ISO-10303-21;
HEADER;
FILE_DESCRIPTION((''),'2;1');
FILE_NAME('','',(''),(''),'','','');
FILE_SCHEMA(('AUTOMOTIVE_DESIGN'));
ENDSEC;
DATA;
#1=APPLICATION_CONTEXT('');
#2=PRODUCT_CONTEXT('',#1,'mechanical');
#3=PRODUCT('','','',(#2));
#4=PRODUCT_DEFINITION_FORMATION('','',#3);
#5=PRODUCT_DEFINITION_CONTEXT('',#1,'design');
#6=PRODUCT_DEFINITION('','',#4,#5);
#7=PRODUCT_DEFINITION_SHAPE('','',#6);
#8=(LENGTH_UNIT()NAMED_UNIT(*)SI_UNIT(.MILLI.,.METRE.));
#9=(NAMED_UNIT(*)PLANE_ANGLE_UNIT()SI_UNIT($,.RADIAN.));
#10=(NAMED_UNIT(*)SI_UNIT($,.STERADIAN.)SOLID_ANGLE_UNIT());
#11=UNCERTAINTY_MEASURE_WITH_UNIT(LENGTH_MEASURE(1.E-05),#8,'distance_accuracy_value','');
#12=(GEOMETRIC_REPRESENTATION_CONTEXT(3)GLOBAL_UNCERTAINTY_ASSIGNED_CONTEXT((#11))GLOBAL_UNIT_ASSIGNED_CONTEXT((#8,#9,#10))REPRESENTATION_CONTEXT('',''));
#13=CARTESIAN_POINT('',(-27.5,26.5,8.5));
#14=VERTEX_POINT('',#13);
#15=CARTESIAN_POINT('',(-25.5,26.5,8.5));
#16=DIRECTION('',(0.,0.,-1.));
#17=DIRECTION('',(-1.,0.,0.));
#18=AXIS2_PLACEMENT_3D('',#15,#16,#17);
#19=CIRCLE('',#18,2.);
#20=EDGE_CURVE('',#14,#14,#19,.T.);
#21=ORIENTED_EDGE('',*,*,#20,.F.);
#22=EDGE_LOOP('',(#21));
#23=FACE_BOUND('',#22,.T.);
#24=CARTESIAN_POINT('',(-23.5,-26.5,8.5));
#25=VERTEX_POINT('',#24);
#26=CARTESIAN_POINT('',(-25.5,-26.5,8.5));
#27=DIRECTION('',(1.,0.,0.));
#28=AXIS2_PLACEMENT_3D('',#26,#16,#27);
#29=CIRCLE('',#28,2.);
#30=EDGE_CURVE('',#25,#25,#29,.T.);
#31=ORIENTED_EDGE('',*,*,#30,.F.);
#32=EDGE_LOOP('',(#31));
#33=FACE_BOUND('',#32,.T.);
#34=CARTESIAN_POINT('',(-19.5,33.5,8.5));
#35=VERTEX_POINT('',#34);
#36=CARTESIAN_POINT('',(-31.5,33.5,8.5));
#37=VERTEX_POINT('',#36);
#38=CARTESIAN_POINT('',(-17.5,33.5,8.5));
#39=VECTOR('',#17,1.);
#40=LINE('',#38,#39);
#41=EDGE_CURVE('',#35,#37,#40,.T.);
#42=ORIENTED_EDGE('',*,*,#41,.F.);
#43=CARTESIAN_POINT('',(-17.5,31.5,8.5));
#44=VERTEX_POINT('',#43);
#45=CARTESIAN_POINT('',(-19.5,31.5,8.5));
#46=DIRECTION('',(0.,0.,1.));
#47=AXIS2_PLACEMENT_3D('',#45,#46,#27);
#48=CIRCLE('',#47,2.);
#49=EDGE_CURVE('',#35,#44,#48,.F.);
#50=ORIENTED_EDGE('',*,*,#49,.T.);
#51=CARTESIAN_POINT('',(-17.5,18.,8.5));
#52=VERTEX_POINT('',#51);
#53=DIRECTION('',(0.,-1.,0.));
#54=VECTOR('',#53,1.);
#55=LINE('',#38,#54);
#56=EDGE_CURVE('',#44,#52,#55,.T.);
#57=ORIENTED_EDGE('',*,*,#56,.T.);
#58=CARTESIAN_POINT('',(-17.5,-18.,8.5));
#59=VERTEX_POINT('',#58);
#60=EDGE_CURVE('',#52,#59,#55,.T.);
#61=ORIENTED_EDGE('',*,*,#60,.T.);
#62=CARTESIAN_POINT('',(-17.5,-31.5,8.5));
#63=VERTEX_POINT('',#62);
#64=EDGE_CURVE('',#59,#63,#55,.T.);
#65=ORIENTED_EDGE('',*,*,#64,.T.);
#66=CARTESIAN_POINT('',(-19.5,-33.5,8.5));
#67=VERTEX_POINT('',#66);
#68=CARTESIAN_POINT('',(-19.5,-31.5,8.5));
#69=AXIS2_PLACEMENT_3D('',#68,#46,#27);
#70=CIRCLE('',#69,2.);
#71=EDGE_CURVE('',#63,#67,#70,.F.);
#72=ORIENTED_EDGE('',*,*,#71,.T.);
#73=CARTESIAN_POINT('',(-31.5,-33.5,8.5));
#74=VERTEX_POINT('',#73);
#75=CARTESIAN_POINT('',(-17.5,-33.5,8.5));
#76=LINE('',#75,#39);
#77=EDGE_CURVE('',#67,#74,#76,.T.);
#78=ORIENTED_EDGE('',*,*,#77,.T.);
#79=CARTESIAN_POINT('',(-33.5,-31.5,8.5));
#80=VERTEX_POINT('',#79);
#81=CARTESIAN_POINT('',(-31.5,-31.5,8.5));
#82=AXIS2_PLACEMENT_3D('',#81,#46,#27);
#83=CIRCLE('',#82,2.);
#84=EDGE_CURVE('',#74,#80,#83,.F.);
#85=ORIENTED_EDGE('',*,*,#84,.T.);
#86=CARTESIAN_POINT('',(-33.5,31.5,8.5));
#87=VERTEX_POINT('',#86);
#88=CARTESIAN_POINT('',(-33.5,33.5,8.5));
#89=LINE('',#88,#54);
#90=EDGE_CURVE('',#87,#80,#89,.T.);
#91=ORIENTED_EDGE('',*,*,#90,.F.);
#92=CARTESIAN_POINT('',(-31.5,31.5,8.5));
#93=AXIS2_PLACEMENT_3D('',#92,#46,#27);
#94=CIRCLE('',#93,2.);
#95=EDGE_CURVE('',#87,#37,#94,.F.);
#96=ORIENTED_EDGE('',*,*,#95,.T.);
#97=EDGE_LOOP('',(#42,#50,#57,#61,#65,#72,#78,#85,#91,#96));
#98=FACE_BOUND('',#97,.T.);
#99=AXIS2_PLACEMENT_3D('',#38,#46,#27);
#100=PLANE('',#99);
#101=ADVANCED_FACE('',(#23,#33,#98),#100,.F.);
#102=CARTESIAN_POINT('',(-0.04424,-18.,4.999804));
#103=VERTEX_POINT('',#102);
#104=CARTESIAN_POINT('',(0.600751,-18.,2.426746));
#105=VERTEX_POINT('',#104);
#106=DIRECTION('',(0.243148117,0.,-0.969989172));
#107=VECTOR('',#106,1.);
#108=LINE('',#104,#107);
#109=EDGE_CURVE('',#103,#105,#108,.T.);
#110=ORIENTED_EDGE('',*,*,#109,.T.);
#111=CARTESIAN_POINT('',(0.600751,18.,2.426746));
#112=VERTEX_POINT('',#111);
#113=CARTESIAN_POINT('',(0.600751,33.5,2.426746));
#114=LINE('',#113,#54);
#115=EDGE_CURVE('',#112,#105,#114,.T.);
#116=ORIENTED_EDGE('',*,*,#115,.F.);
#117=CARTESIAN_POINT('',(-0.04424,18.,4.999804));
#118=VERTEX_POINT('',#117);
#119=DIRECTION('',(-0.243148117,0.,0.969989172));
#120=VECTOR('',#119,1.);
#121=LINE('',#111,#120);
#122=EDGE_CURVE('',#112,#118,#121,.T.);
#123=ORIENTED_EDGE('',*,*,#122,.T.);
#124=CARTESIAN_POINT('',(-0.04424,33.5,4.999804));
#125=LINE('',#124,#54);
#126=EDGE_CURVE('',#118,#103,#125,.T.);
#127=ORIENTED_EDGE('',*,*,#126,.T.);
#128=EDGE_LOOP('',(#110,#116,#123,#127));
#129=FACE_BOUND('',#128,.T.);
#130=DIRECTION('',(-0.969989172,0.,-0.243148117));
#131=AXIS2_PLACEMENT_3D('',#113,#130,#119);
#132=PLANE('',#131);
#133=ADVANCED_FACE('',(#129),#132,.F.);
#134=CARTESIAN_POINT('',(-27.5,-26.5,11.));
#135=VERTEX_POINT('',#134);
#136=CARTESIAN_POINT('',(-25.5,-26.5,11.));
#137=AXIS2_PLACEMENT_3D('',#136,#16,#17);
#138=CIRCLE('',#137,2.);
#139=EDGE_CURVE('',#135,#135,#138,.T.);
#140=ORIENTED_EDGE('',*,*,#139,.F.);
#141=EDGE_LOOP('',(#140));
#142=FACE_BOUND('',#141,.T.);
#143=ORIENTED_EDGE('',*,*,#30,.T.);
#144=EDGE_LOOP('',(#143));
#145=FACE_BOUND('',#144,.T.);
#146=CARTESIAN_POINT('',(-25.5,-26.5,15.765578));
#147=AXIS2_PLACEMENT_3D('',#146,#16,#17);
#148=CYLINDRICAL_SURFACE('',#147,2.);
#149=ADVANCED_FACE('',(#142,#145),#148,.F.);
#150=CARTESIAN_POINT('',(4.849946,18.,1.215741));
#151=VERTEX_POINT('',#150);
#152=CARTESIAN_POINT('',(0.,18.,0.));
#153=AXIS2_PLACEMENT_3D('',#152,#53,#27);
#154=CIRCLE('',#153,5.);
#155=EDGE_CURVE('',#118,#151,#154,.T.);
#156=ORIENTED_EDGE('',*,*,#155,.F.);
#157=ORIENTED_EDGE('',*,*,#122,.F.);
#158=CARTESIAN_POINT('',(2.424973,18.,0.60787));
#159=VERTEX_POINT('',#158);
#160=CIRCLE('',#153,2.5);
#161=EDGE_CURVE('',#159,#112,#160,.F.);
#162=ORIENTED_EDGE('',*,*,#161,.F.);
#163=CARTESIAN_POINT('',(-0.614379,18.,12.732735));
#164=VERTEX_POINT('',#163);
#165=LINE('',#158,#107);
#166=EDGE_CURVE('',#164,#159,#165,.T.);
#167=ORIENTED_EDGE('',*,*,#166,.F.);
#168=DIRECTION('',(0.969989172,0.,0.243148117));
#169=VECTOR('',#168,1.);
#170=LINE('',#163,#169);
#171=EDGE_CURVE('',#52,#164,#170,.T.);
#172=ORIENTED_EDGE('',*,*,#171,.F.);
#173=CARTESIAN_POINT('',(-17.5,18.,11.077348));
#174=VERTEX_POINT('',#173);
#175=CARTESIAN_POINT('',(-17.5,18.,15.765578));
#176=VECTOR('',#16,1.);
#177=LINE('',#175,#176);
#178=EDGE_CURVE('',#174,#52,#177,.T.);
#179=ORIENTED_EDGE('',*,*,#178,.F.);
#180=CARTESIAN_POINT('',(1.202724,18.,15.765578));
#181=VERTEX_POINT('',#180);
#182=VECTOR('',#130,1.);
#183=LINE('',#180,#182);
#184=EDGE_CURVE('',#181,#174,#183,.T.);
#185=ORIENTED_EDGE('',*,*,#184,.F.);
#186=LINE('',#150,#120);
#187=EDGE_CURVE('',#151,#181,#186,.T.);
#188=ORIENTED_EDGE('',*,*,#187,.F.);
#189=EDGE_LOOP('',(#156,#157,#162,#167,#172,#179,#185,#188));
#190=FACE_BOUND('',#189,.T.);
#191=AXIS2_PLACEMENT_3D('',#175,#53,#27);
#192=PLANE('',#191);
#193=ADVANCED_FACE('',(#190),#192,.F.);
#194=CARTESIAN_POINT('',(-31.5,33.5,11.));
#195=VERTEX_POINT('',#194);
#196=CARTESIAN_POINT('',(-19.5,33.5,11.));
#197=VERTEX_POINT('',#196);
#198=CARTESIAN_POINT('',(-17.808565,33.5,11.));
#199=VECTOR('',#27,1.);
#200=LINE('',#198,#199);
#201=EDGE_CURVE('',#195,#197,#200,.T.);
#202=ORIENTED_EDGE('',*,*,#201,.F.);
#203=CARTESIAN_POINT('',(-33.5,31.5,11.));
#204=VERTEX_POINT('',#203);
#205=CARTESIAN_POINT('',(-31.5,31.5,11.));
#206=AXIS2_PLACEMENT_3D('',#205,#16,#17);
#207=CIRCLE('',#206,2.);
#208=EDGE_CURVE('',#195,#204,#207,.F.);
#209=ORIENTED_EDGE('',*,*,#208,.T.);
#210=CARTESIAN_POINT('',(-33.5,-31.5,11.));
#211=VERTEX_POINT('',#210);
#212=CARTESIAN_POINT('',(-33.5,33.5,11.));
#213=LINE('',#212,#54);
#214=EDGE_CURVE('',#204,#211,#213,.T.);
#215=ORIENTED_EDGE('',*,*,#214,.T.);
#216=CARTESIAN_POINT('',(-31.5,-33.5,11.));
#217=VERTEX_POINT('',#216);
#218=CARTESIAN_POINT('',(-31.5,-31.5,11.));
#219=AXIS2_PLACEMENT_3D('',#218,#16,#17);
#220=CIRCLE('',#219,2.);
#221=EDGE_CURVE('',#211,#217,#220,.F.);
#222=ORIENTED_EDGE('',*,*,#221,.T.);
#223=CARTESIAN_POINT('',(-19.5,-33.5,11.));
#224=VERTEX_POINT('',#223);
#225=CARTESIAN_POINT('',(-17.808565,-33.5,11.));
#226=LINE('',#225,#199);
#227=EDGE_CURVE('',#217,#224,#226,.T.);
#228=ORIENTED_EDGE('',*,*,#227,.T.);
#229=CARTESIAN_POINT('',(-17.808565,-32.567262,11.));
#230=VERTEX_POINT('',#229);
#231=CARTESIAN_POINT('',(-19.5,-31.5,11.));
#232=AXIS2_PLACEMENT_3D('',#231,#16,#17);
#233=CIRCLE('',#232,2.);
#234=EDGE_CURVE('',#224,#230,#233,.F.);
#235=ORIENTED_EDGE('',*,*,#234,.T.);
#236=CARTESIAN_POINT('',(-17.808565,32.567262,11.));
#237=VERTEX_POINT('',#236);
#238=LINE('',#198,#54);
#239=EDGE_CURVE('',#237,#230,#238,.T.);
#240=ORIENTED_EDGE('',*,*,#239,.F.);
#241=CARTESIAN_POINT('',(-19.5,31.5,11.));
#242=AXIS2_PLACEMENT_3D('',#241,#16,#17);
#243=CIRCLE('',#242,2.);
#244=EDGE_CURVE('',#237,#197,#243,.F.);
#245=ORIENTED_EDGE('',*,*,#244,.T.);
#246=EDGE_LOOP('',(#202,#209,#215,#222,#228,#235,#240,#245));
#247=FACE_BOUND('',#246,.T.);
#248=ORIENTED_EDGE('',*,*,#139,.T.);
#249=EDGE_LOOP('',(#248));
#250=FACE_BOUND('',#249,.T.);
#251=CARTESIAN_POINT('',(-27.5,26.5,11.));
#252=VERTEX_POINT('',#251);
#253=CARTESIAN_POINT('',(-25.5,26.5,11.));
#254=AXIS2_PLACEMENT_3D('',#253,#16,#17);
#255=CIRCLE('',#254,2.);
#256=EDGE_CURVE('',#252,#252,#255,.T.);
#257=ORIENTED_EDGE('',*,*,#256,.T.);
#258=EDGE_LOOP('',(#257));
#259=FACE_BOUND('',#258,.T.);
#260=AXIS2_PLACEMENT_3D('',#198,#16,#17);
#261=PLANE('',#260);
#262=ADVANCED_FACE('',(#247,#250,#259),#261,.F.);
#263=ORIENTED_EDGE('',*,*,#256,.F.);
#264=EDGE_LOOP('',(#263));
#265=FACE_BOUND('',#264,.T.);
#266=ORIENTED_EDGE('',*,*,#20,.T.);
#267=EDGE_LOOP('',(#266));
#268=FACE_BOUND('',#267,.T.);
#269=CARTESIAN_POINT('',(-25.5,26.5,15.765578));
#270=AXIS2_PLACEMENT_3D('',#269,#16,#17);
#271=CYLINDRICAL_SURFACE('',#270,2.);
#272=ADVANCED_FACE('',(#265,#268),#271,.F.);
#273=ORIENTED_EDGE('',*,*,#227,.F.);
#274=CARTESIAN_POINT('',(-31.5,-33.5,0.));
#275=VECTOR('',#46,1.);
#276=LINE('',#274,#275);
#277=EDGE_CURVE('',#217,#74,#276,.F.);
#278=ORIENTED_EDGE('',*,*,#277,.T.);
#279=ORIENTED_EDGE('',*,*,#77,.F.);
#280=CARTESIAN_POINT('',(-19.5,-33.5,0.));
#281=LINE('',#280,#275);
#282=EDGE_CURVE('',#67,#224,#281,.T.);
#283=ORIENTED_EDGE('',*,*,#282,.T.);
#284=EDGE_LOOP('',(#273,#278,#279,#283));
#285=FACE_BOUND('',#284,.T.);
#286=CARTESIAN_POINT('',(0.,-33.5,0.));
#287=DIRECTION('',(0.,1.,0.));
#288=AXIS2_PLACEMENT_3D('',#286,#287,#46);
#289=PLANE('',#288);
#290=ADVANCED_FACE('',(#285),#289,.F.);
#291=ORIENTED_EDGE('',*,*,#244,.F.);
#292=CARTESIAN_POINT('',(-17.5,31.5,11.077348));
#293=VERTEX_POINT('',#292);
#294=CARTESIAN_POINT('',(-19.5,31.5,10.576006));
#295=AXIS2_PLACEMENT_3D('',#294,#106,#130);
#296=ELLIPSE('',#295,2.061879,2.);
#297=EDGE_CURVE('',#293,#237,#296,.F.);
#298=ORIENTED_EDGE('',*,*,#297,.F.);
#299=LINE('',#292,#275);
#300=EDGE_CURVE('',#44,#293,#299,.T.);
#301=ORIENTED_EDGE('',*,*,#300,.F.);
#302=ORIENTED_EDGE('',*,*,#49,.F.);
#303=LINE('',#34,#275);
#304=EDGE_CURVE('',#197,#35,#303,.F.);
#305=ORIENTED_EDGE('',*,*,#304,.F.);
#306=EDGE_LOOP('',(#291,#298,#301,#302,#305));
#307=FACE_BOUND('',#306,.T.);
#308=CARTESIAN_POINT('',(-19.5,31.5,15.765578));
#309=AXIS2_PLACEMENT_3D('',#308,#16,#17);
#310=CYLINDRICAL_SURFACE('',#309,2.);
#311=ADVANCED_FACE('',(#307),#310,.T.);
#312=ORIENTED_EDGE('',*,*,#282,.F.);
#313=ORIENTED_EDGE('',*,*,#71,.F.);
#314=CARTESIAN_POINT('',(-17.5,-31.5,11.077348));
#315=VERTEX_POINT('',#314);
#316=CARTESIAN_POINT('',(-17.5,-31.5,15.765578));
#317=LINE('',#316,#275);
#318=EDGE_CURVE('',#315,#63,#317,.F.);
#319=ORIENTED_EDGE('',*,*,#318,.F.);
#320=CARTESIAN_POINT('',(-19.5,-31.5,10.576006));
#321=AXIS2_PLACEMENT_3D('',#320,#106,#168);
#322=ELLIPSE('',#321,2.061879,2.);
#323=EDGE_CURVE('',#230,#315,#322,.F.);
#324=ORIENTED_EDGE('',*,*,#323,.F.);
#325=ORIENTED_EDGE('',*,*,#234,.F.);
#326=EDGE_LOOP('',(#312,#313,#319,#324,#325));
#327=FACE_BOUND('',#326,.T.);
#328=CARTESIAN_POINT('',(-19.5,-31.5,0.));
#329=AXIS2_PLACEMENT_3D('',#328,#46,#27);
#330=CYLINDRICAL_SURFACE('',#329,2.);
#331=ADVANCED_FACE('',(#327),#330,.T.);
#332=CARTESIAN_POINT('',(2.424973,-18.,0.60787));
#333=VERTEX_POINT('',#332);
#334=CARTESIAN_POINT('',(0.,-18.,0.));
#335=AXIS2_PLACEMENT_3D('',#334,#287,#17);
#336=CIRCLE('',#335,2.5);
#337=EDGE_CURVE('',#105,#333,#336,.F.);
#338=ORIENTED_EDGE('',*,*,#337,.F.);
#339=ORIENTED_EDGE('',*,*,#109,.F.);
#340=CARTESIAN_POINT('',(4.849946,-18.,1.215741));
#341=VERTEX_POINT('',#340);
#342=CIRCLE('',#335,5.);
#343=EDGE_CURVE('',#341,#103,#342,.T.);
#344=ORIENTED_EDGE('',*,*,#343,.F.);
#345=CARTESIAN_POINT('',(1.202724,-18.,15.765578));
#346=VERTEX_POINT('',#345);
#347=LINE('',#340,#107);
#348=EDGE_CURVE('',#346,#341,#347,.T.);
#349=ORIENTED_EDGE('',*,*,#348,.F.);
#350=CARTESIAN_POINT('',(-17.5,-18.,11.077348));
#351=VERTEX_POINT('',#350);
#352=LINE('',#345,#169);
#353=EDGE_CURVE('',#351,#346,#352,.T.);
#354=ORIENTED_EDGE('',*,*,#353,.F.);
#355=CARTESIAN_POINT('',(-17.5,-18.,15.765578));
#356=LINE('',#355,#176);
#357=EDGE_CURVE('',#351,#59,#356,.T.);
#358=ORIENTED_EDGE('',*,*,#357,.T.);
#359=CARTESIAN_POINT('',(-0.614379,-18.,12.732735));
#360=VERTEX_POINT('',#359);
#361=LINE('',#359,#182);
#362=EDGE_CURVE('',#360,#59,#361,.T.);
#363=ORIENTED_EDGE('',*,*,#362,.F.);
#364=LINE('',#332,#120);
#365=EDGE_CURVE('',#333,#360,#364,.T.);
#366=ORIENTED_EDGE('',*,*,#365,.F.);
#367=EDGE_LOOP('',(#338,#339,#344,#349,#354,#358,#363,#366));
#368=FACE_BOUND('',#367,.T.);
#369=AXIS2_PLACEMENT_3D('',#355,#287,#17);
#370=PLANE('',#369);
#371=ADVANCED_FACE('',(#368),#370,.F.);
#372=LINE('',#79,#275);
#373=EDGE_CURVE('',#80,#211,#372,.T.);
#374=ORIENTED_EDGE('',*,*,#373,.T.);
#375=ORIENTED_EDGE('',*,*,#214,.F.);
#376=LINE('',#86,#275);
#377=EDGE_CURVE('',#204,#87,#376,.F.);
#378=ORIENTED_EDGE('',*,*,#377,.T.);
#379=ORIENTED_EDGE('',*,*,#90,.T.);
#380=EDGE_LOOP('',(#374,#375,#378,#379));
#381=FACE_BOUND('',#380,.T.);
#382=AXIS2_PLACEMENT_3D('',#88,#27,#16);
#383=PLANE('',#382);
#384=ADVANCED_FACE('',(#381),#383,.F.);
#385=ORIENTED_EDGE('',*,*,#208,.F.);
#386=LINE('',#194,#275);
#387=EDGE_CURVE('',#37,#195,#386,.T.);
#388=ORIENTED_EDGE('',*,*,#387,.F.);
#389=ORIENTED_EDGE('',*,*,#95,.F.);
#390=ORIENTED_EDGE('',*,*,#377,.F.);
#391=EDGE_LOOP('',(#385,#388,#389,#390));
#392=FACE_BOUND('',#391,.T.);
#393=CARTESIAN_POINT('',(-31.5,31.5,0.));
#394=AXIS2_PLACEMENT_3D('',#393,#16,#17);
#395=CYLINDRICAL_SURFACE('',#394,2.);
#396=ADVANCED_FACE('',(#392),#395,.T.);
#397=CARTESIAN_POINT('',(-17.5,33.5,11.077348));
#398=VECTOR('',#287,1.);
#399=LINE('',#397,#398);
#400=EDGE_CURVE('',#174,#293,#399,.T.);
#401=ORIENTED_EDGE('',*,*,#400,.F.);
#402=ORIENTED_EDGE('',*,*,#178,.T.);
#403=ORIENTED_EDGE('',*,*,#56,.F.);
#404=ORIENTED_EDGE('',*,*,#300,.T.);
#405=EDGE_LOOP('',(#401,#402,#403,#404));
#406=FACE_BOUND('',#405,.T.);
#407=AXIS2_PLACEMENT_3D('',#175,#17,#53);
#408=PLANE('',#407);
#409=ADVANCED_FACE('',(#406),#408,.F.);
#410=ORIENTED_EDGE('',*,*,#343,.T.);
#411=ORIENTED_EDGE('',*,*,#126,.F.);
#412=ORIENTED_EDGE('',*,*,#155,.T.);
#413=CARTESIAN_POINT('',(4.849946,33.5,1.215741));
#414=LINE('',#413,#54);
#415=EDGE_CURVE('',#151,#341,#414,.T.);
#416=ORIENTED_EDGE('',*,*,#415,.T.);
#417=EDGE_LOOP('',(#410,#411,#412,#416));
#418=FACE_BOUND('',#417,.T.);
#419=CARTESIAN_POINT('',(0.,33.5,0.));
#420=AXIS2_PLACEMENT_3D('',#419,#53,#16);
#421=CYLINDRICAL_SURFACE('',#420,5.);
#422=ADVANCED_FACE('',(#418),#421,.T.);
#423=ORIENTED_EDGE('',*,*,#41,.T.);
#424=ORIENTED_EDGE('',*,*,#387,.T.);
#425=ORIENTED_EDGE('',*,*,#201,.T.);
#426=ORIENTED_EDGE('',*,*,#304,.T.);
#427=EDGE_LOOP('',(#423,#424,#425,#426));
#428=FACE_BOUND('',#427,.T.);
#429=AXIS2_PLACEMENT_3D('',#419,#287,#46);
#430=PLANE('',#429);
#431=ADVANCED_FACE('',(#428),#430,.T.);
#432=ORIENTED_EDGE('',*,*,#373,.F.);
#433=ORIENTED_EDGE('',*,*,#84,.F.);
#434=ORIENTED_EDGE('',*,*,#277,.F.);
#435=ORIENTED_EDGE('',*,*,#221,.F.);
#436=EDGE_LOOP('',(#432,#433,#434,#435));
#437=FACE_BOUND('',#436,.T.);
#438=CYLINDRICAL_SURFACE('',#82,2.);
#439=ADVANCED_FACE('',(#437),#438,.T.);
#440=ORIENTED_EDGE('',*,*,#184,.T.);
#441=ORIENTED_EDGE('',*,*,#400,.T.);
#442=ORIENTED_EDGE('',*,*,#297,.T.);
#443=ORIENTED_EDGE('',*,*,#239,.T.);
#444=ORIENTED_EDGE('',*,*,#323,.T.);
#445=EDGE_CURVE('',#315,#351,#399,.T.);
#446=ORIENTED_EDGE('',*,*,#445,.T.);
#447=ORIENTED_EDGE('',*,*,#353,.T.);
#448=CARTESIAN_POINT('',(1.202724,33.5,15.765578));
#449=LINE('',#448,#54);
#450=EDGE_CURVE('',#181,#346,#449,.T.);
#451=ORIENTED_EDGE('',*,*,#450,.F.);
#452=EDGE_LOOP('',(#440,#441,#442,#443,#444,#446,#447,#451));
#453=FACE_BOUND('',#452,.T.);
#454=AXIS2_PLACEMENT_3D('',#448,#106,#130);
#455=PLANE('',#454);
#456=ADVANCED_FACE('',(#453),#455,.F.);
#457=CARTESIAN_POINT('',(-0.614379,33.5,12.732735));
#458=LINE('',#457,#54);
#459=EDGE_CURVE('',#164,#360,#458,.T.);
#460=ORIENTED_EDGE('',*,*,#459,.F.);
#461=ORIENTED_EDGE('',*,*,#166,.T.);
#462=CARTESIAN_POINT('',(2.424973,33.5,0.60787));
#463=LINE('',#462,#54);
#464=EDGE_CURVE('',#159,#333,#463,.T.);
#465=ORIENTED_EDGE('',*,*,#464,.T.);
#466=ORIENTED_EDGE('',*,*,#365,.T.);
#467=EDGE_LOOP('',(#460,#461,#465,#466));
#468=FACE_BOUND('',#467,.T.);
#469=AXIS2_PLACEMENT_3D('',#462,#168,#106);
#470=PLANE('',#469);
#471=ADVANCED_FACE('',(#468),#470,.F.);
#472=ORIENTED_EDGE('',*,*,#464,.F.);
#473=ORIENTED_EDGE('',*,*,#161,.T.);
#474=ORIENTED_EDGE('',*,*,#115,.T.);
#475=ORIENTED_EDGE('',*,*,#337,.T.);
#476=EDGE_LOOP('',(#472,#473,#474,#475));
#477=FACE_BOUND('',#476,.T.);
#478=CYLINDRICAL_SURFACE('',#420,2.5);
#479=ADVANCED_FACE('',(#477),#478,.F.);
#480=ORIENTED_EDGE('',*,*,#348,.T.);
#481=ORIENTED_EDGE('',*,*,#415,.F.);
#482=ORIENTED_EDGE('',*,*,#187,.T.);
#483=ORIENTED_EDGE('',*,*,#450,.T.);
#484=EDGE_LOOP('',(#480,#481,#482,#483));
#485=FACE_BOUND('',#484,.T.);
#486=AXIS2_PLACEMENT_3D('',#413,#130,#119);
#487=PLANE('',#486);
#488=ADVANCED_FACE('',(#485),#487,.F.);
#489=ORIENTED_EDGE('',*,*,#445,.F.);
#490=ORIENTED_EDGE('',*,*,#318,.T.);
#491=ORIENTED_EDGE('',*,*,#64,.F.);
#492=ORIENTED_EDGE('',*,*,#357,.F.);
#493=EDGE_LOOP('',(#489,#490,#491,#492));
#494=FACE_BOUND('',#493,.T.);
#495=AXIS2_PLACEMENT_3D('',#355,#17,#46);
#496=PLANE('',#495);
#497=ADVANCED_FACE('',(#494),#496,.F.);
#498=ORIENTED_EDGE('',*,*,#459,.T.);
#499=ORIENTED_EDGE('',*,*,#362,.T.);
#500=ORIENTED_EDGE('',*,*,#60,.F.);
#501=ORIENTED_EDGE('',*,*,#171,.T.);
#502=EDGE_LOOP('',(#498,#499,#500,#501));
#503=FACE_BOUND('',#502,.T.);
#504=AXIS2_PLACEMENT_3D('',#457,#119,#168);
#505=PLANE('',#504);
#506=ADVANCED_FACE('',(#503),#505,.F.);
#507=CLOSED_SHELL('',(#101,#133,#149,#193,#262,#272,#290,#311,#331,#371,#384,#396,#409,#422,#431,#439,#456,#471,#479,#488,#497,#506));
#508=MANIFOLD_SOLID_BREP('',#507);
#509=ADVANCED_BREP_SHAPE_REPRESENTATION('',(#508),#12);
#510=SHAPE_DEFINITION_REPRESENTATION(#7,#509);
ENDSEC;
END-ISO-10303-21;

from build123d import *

# Parameters (mm, degrees)
BOSS_EXTRUDE1_DEPTH     = 33.5
CUT_EXTRUDE1_DEPTH      = 50.262054362
CUT_EXTRUDE1_DEPTH_BACK = 50.262054362
SKETCH3_W               = 37.712944555
SKETCH3_H               = 32.806463902
SKETCH4_R               = 2
CUT_EXTRUDE2_DEPTH      = 50.262054362
FILLET1_R               = 2


with BuildPart() as part:
    # Sketch1 → Boss-Extrude1 (new, symmetric)
    with BuildSketch(Plane(origin=(0, 0, 0), x_dir=(1, 0, 0), z_dir=(0, 1, 0))):
        with BuildLine():
            Line((4.849945859, -1.215740583), (1.202724111, -15.76557816))
            Line((1.202724111, -15.76557816), (-17.808565296, -11))
            Line((-17.808565296, -11), (-33.5, -11))
            Line((-33.5, -11), (-33.5, -8.5))
            Line((-33.5, -8.5), (-17.5, -8.5))
            Line((-17.5, -8.5), (-0.614378527, -12.732734939))
            Line((-0.614378527, -12.732734939), (2.42497293, -0.607870291))
            ThreePointArc((2.42497293, -0.607870291), (-1.76517118, 1.77035892), (0.600751286, -2.426746359))
            Line((0.600751286, -2.426746359), (-0.044239613, -4.999804282))
            ThreePointArc((-0.044239613, -4.999804282), (-3.058347209, 3.95556726), (4.849945859, -1.215740583))
        make_face()
    extrude(amount=BOSS_EXTRUDE1_DEPTH, both=True)

    # Sketch3 → Cut-Extrude1 (cut, two sides: drawn at the far end of the back side and taken through both)
    with BuildSketch(Plane(origin=(0, 0, 8.5), x_dir=(-1, 0, 0), z_dir=(0, 0, -1)).offset(-CUT_EXTRUDE1_DEPTH_BACK)):
        with Locations((-1.356472277, 34.403231951)):
            Rectangle(SKETCH3_W, SKETCH3_H)
        with Locations((-1.356472277, -34.403231951)):
            Rectangle(SKETCH3_W, SKETCH3_H)
    extrude(amount=CUT_EXTRUDE1_DEPTH + CUT_EXTRUDE1_DEPTH_BACK, mode=Mode.SUBTRACT)

    # Sketch4 → Cut-Extrude2 (cut, through all)
    with BuildSketch(Plane(origin=(0, 0, 8.5), x_dir=(-1, 0, 0), z_dir=(0, 0, -1))):
        with Locations((25.5, 26.5)):
            Circle(SKETCH4_R)
        with Locations((25.5, -26.5)):
            Circle(SKETCH4_R)
    extrude(amount=-CUT_EXTRUDE2_DEPTH, mode=Mode.SUBTRACT)

    # Fillet1
    fillet1_edges = [part.edges().sort_by_distance(p)[0] for p in [
        (-17.5, -33.5, 9.788674179),
        (-33.5, -33.5, 9.75),
        (-33.5, 33.5, 9.75),
        (-17.5, 33.5, 9.788674179),
    ]]
    fillet(fillet1_edges, radius=FILLET1_R)


solid = part.part
